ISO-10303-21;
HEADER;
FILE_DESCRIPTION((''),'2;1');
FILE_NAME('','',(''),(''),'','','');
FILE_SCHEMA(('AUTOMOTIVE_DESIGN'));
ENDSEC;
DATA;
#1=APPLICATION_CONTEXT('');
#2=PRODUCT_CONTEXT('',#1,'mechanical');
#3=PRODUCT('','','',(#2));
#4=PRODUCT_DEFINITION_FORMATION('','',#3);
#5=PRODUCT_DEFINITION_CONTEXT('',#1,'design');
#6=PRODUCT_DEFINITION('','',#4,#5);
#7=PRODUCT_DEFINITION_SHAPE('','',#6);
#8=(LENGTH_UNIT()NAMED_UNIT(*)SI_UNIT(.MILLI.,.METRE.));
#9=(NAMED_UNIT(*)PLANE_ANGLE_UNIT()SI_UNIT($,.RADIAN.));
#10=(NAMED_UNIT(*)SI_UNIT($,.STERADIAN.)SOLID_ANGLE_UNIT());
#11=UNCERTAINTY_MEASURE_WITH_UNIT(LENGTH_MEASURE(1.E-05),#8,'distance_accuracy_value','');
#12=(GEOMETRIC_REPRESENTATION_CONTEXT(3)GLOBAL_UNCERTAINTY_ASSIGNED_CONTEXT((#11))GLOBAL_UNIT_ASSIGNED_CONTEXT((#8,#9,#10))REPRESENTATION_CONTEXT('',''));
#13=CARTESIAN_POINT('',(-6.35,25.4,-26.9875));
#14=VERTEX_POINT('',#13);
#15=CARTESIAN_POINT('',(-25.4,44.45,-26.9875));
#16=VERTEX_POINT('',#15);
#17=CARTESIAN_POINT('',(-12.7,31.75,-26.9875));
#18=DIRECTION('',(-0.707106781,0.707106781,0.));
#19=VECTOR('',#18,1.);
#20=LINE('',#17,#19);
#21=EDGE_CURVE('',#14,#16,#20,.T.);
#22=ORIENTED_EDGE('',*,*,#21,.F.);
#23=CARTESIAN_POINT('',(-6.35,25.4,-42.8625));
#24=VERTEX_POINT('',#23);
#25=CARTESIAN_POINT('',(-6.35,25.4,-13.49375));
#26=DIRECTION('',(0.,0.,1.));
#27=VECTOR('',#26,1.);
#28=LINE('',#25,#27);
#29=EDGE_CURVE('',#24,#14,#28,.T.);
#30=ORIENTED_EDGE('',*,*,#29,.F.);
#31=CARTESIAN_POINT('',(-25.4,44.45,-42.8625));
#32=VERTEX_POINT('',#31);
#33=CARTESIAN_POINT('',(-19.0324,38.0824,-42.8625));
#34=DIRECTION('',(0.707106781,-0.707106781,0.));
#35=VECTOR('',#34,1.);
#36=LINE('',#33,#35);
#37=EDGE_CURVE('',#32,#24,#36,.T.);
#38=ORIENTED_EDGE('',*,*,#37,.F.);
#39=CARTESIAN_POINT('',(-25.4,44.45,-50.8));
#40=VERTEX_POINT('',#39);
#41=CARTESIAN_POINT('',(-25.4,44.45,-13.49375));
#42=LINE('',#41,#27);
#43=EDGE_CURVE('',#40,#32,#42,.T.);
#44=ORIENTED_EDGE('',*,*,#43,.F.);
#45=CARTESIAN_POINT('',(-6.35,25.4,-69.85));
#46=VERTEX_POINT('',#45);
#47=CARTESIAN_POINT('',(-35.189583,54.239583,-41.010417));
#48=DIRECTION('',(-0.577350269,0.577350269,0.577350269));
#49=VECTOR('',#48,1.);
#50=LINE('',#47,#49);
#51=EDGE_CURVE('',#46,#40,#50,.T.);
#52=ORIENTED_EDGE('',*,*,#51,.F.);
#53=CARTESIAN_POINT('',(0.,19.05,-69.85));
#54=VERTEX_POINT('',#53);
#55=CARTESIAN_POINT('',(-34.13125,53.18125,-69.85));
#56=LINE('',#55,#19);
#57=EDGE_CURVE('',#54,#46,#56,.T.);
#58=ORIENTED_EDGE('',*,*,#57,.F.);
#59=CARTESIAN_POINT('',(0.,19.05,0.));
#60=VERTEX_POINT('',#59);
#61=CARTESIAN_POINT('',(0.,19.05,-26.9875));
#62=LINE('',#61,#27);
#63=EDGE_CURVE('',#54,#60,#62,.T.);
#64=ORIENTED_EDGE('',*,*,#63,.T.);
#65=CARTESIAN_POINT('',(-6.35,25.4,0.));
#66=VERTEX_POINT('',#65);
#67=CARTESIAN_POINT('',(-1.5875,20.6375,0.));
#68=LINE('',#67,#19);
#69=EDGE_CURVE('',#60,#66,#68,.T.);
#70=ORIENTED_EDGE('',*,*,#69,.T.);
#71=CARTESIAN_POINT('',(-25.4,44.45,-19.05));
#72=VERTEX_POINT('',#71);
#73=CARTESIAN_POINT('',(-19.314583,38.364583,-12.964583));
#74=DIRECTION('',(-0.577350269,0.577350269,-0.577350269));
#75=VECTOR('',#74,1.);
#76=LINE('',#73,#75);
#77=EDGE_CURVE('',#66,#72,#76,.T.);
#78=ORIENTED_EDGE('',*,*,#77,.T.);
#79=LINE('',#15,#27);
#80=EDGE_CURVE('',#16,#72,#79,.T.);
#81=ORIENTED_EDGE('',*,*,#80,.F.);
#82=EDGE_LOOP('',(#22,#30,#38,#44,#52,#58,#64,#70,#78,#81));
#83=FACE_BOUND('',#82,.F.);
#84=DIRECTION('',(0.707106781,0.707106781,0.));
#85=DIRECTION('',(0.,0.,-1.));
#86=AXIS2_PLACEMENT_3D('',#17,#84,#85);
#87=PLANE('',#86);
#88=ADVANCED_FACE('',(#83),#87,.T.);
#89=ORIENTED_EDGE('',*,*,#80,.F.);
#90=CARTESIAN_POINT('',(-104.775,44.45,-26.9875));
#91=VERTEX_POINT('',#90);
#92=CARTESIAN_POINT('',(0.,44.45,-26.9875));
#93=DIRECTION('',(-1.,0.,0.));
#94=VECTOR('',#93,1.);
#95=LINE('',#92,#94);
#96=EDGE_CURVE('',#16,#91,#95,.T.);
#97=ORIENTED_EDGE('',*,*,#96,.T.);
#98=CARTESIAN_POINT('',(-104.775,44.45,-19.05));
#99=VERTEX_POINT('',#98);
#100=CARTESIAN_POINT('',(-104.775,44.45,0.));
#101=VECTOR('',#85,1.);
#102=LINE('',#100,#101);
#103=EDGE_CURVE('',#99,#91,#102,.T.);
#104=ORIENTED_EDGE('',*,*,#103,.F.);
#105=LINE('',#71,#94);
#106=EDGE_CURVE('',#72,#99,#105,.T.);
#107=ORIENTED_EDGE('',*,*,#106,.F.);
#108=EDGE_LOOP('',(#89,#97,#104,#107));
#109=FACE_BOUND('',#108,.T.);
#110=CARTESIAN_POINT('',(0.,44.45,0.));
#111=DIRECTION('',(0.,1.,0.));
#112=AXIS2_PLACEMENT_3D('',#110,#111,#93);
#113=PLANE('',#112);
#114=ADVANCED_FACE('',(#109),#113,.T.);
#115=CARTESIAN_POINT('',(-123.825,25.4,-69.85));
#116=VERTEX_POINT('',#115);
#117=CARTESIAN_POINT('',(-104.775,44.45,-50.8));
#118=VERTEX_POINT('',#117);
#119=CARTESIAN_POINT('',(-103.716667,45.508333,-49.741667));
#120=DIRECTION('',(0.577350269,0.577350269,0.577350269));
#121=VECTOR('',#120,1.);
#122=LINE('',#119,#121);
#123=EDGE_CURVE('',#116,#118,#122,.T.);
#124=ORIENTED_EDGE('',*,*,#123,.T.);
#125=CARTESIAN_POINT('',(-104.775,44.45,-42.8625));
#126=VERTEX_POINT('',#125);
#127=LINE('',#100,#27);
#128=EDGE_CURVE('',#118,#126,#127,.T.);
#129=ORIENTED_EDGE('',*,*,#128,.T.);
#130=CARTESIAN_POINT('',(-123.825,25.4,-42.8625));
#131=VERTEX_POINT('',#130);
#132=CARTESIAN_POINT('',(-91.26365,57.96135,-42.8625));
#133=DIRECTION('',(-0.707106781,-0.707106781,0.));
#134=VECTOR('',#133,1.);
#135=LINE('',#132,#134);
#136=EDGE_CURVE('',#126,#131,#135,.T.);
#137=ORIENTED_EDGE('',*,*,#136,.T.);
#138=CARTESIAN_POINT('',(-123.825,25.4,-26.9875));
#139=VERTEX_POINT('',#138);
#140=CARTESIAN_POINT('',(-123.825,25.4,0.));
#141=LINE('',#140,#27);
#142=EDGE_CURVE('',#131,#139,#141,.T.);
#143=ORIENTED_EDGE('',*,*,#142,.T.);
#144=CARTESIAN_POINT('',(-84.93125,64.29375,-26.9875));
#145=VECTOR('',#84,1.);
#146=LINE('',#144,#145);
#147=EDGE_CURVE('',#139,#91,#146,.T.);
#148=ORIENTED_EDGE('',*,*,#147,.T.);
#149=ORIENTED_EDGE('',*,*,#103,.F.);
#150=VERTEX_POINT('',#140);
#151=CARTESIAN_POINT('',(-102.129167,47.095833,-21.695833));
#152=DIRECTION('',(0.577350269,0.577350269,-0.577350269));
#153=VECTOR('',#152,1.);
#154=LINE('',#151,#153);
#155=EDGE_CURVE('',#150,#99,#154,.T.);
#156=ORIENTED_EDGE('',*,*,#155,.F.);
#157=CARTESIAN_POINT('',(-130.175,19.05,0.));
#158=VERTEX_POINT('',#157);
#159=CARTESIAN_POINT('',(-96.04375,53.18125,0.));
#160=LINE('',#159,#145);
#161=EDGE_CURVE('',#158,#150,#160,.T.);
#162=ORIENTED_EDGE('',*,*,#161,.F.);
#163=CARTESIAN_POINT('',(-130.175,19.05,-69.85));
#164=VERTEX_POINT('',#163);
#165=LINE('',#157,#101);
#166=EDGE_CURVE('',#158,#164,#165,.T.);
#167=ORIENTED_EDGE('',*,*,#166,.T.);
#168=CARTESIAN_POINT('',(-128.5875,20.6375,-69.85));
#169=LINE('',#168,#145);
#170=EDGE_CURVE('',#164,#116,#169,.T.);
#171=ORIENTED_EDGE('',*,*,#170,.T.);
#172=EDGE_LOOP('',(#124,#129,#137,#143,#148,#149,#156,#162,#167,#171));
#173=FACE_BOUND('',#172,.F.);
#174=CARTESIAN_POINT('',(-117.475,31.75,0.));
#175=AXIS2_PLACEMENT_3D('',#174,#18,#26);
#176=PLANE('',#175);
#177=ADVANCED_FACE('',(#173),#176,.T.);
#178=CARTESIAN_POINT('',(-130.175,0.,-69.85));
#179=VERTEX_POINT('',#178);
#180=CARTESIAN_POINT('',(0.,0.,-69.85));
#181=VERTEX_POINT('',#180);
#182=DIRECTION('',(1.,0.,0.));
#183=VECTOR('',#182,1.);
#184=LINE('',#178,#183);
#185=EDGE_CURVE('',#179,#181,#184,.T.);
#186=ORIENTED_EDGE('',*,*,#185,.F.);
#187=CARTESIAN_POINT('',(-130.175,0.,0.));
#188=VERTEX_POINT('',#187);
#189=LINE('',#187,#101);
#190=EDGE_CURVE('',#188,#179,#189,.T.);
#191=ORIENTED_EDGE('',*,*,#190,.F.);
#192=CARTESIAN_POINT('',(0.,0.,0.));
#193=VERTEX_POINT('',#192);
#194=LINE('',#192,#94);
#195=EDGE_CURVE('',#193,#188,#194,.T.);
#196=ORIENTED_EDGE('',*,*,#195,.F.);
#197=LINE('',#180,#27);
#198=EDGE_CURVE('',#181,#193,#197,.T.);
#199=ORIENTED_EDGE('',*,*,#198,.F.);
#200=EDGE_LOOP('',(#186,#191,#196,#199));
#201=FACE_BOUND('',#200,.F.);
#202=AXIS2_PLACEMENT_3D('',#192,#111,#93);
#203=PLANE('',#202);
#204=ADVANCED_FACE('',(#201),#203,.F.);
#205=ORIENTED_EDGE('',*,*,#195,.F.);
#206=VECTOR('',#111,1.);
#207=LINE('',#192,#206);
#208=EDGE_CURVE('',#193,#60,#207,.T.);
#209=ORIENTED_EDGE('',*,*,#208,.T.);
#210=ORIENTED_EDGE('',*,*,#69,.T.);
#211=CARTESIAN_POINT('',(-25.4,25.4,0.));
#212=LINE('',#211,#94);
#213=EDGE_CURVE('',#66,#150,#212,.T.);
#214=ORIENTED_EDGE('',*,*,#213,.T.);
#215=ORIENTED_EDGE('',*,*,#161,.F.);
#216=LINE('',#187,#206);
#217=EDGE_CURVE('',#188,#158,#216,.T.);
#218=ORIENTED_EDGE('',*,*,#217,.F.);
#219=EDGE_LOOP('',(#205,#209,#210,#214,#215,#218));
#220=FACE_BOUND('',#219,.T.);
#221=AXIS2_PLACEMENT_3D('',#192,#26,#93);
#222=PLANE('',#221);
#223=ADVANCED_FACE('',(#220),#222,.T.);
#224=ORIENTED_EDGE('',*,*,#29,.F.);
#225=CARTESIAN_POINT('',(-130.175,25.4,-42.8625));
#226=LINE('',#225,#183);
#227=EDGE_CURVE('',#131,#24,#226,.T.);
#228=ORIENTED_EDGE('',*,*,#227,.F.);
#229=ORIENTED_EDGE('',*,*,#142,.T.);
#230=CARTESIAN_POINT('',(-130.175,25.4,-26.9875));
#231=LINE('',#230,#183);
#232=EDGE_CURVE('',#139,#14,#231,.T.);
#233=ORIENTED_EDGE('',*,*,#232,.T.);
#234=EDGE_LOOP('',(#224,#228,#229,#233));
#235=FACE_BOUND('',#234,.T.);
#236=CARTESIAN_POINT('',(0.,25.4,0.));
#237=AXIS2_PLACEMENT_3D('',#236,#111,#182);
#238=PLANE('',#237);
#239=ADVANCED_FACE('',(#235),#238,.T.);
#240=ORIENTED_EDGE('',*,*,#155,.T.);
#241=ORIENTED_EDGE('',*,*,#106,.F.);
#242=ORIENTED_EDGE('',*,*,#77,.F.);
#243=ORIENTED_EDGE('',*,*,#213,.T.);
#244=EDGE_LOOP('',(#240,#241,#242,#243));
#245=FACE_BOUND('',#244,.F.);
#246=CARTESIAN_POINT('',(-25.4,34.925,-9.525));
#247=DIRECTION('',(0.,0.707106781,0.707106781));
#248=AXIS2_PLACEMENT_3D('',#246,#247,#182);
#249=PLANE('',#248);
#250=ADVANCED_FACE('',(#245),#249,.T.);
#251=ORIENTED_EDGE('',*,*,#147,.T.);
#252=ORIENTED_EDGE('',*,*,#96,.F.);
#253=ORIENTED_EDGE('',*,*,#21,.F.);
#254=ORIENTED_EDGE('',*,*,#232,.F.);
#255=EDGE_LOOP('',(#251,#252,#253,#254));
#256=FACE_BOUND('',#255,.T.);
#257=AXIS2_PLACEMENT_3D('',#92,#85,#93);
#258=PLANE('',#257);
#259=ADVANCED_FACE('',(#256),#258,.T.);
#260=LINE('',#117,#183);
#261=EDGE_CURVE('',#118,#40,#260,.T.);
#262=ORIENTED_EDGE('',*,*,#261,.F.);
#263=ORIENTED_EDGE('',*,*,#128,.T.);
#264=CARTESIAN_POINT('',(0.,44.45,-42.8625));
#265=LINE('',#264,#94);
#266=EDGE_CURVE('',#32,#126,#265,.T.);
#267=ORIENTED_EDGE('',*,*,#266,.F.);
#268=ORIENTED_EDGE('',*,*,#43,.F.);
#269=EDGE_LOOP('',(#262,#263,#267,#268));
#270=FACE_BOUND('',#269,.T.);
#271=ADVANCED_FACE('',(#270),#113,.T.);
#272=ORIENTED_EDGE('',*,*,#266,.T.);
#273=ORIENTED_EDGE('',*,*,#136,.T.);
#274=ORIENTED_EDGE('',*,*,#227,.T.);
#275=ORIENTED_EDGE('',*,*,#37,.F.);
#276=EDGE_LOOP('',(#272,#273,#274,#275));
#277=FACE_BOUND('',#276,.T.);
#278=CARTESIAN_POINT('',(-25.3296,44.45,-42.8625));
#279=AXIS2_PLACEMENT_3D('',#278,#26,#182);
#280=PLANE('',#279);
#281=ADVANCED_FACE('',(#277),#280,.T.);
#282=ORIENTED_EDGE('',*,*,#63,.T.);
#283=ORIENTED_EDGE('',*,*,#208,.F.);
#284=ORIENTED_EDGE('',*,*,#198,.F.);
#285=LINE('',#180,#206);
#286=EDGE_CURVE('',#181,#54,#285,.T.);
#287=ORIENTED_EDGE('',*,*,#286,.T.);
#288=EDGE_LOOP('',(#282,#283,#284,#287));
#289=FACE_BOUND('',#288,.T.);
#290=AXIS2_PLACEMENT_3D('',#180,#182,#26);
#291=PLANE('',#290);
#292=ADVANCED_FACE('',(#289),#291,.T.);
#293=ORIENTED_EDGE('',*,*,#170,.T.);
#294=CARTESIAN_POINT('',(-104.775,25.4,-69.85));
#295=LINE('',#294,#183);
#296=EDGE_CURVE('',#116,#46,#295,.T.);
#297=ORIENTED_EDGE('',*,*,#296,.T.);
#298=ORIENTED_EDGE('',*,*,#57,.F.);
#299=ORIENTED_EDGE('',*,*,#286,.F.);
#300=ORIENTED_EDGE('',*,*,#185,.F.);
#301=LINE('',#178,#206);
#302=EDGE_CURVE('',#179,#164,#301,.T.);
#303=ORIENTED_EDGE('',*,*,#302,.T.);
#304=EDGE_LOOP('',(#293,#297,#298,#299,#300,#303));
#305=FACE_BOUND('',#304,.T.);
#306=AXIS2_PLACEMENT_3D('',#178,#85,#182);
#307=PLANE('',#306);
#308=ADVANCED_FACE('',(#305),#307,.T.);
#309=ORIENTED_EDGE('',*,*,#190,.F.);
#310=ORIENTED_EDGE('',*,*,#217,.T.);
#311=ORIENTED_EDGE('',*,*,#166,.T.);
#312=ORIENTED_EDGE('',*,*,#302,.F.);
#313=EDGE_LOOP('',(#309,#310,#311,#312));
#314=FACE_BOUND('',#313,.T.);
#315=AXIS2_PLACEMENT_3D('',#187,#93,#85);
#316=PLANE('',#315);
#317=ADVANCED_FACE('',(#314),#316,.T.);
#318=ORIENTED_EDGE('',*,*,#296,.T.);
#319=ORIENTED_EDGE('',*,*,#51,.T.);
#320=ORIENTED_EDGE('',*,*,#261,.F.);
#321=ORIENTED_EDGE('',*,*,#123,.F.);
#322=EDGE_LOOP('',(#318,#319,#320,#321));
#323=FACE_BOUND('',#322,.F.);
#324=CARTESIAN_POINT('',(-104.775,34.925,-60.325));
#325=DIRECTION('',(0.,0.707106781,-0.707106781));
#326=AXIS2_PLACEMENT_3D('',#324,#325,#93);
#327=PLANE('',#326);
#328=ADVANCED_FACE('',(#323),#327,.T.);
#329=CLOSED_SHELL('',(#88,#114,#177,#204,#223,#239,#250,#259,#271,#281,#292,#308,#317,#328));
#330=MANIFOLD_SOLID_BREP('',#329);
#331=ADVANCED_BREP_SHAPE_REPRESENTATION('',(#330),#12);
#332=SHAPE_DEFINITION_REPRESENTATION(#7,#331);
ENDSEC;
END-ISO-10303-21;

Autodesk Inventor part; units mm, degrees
ref_plane "YZ Plane" through (0, 0, 0) normal (1, 0, 0) x (0, 1, 0)
ref_plane "XZ Plane" through (0, 0, 0) normal (0, 1, 0) x (-1, 0, 0)
ref_plane "XY Plane" through (0, 0, 0) normal (0, 0, 1) x (1, 0, 0)
sketch "Sketch1" plane through (0, 0, 0) normal (0, 1, 0) x (-1, 0, 0)
  line L0 (0, 0) -> (130.175, 0)
  line L1 (130.175, 0) -> (130.175, -69.85)
  line L2 (130.175, -69.85) -> (0, -69.85)
  line L3 (0, -69.85) -> (0, 0)
  dimension "d0" = 130.175
  dimension "d1" = 69.85
extrude "Extrusion1" add sketch "Sketch1" along normal blind 44.45
sketch "Sketch2" plane through (0, 44.45, 0) normal (0, 1, 0) x (1, 0, 0)
  line L0 (0, 0) -> (0, 69.85) projected
  line L1 (0, 0) -> (0, 34.925)
  line L2 (0, 34.925) -> (-130.175, 34.925)
  line L3 (-130.175, 69.85) -> (-130.175, 0) projected
  line L4 (-130.175, 34.925) -> (0, 34.925)
  line L5 (0, 34.925) -> (0, 26.9875)
  line L6 (0, 26.9875) -> (-130.175, 26.9875)
  line L7 (-130.175, 26.9875) -> (-130.175, 34.925)
  line L8 (0, 26.9875) -> (-25.3296, 26.9875)
  line L9 (-25.3296, 26.9875) -> (-25.3296, 42.8625)
  line L10 (-25.3296, 42.8625) -> (0, 42.8625)
  line L11 (0, 42.8625) -> (0, 26.9875)
  line L12 (0, 26.9875) -> (-130.175, 26.9875)
  line L13 (-130.175, 26.9875) -> (-130.175, 42.8625)
  line L14 (-130.175, 42.8625) -> (0, 42.8625)
  line L15 (0, 42.8625) -> (0, 26.9875)
  dimension "d4" = 7.9375
  dimension "d5" = 15.875
extrude "Extrusion2" cut sketch "Sketch2" against normal blind 19.05
chamfer "Chamfer1" distance 25.4 angle 45 2 edges at (0, 44.45, -13.4937) (-130.175, 44.45, -13.4938)
chamfer "Chamfer2" distance 19.05 angle 45 2 edges at (-65.0875, 44.45, 0) (-65.0875, 44.45, -69.85)
properties part number "Block" material "Steel, Mild"
